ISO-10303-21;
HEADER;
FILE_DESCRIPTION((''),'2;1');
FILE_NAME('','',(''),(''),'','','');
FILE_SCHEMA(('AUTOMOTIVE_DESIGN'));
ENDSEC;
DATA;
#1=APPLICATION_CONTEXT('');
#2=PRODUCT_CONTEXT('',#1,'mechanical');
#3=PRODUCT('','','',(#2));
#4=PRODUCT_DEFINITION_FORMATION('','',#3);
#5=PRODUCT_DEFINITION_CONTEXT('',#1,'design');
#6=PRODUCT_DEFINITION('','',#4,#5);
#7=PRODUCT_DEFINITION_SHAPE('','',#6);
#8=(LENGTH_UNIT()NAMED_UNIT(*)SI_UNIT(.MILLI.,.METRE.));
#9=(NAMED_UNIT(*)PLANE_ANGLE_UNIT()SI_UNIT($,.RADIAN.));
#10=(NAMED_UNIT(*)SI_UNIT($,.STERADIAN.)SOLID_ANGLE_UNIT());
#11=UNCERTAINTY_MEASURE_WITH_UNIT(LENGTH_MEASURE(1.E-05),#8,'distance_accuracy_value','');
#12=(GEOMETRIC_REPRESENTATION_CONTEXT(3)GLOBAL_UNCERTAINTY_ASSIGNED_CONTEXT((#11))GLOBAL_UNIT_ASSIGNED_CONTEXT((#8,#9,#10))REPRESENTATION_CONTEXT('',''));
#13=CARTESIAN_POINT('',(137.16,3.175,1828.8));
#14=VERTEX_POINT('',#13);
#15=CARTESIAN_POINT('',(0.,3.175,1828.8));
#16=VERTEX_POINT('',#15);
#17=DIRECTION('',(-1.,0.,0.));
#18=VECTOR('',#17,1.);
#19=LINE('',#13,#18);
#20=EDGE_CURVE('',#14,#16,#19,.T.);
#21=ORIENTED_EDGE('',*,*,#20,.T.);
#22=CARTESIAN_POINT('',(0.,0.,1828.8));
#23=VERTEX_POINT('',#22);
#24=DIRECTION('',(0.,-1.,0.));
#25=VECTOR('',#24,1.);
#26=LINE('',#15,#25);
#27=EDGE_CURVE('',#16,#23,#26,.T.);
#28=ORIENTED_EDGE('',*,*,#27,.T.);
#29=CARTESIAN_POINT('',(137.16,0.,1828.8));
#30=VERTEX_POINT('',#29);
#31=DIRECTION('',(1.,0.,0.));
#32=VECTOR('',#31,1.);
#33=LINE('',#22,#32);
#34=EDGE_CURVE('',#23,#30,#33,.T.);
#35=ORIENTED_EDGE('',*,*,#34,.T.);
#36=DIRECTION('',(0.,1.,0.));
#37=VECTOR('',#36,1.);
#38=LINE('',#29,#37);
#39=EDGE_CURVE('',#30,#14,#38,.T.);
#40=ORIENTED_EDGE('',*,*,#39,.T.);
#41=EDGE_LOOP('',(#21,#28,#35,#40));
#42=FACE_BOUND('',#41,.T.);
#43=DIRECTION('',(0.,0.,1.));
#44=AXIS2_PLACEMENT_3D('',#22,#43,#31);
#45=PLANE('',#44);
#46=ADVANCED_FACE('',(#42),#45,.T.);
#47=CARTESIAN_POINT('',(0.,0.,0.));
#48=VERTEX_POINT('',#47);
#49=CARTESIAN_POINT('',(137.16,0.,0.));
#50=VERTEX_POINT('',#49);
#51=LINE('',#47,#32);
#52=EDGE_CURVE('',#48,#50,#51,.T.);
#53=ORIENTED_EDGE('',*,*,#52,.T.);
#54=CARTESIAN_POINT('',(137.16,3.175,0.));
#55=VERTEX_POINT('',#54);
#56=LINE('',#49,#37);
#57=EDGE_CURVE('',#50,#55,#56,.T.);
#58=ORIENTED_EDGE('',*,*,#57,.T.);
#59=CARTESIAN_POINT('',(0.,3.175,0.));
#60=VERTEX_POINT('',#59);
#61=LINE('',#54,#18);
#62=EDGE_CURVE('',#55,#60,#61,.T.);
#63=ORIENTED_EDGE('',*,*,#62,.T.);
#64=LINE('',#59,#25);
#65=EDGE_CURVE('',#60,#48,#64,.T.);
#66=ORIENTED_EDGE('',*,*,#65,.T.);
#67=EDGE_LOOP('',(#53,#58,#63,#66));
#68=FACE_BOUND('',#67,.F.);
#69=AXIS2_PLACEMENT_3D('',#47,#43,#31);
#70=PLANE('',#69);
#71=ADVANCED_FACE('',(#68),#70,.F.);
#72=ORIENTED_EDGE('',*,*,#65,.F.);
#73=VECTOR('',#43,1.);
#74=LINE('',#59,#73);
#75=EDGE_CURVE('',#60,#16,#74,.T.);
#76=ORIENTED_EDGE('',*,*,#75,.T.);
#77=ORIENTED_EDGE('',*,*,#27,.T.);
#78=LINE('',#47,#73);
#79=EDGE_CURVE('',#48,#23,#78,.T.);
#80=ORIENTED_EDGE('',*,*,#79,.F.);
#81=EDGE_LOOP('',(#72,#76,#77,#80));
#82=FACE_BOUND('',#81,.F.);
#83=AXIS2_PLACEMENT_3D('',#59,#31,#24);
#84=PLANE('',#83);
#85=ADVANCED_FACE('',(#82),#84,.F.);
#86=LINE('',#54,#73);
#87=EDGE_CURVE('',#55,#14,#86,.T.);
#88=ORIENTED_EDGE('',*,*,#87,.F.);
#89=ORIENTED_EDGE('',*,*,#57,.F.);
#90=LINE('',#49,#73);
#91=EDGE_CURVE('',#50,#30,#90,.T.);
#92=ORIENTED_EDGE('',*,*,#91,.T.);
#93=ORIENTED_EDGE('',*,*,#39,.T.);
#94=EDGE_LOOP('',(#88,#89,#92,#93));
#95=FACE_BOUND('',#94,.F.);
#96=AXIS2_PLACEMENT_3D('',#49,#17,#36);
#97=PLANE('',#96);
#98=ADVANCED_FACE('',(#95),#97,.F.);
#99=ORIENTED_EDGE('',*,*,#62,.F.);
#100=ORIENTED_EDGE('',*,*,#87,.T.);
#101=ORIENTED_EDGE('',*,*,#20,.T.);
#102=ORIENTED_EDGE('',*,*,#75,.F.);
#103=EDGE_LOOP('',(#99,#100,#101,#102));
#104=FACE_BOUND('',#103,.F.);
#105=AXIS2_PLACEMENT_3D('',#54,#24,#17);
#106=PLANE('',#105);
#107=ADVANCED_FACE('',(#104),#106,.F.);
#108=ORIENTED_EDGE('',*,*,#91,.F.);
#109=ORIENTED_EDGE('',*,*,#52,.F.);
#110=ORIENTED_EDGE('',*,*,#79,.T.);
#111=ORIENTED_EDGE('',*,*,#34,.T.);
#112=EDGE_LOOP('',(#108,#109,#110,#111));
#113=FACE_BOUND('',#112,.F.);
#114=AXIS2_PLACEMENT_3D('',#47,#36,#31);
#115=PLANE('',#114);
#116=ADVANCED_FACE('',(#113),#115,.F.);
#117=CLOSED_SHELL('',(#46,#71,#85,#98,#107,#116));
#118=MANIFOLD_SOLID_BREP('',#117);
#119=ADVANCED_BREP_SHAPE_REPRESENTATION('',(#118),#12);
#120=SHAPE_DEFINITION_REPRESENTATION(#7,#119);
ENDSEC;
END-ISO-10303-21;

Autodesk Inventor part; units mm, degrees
ref_plane "YZ Plane" through (0, 0, 0) normal (1, 0, 0) x (0, 1, 0)
ref_plane "XZ Plane" through (0, 0, 0) normal (0, 1, 0) x (-1, 0, 0)
ref_plane "XY Plane" through (0, 0, 0) normal (0, 0, 1) x (1, 0, 0)
sketch "Sketch1" plane through (0, 0, 0) normal (0, 0, 1) x (1, 0, 0)
  line L0 (0, 0) -> (137.16, 0)
  line L1 (137.16, 0) -> (137.16, 3.175)
  line L2 (137.16, 3.175) -> (0, 3.175)
  line L3 (0, 3.175) -> (0, 0)
  dimension "d0" = 3.175
  dimension "d1" = 137.16
extrude "Extrusion1" add sketch "Sketch1" along normal blind 1828.8
properties part number "Clear Ramp Surface 125 - Version 2"
